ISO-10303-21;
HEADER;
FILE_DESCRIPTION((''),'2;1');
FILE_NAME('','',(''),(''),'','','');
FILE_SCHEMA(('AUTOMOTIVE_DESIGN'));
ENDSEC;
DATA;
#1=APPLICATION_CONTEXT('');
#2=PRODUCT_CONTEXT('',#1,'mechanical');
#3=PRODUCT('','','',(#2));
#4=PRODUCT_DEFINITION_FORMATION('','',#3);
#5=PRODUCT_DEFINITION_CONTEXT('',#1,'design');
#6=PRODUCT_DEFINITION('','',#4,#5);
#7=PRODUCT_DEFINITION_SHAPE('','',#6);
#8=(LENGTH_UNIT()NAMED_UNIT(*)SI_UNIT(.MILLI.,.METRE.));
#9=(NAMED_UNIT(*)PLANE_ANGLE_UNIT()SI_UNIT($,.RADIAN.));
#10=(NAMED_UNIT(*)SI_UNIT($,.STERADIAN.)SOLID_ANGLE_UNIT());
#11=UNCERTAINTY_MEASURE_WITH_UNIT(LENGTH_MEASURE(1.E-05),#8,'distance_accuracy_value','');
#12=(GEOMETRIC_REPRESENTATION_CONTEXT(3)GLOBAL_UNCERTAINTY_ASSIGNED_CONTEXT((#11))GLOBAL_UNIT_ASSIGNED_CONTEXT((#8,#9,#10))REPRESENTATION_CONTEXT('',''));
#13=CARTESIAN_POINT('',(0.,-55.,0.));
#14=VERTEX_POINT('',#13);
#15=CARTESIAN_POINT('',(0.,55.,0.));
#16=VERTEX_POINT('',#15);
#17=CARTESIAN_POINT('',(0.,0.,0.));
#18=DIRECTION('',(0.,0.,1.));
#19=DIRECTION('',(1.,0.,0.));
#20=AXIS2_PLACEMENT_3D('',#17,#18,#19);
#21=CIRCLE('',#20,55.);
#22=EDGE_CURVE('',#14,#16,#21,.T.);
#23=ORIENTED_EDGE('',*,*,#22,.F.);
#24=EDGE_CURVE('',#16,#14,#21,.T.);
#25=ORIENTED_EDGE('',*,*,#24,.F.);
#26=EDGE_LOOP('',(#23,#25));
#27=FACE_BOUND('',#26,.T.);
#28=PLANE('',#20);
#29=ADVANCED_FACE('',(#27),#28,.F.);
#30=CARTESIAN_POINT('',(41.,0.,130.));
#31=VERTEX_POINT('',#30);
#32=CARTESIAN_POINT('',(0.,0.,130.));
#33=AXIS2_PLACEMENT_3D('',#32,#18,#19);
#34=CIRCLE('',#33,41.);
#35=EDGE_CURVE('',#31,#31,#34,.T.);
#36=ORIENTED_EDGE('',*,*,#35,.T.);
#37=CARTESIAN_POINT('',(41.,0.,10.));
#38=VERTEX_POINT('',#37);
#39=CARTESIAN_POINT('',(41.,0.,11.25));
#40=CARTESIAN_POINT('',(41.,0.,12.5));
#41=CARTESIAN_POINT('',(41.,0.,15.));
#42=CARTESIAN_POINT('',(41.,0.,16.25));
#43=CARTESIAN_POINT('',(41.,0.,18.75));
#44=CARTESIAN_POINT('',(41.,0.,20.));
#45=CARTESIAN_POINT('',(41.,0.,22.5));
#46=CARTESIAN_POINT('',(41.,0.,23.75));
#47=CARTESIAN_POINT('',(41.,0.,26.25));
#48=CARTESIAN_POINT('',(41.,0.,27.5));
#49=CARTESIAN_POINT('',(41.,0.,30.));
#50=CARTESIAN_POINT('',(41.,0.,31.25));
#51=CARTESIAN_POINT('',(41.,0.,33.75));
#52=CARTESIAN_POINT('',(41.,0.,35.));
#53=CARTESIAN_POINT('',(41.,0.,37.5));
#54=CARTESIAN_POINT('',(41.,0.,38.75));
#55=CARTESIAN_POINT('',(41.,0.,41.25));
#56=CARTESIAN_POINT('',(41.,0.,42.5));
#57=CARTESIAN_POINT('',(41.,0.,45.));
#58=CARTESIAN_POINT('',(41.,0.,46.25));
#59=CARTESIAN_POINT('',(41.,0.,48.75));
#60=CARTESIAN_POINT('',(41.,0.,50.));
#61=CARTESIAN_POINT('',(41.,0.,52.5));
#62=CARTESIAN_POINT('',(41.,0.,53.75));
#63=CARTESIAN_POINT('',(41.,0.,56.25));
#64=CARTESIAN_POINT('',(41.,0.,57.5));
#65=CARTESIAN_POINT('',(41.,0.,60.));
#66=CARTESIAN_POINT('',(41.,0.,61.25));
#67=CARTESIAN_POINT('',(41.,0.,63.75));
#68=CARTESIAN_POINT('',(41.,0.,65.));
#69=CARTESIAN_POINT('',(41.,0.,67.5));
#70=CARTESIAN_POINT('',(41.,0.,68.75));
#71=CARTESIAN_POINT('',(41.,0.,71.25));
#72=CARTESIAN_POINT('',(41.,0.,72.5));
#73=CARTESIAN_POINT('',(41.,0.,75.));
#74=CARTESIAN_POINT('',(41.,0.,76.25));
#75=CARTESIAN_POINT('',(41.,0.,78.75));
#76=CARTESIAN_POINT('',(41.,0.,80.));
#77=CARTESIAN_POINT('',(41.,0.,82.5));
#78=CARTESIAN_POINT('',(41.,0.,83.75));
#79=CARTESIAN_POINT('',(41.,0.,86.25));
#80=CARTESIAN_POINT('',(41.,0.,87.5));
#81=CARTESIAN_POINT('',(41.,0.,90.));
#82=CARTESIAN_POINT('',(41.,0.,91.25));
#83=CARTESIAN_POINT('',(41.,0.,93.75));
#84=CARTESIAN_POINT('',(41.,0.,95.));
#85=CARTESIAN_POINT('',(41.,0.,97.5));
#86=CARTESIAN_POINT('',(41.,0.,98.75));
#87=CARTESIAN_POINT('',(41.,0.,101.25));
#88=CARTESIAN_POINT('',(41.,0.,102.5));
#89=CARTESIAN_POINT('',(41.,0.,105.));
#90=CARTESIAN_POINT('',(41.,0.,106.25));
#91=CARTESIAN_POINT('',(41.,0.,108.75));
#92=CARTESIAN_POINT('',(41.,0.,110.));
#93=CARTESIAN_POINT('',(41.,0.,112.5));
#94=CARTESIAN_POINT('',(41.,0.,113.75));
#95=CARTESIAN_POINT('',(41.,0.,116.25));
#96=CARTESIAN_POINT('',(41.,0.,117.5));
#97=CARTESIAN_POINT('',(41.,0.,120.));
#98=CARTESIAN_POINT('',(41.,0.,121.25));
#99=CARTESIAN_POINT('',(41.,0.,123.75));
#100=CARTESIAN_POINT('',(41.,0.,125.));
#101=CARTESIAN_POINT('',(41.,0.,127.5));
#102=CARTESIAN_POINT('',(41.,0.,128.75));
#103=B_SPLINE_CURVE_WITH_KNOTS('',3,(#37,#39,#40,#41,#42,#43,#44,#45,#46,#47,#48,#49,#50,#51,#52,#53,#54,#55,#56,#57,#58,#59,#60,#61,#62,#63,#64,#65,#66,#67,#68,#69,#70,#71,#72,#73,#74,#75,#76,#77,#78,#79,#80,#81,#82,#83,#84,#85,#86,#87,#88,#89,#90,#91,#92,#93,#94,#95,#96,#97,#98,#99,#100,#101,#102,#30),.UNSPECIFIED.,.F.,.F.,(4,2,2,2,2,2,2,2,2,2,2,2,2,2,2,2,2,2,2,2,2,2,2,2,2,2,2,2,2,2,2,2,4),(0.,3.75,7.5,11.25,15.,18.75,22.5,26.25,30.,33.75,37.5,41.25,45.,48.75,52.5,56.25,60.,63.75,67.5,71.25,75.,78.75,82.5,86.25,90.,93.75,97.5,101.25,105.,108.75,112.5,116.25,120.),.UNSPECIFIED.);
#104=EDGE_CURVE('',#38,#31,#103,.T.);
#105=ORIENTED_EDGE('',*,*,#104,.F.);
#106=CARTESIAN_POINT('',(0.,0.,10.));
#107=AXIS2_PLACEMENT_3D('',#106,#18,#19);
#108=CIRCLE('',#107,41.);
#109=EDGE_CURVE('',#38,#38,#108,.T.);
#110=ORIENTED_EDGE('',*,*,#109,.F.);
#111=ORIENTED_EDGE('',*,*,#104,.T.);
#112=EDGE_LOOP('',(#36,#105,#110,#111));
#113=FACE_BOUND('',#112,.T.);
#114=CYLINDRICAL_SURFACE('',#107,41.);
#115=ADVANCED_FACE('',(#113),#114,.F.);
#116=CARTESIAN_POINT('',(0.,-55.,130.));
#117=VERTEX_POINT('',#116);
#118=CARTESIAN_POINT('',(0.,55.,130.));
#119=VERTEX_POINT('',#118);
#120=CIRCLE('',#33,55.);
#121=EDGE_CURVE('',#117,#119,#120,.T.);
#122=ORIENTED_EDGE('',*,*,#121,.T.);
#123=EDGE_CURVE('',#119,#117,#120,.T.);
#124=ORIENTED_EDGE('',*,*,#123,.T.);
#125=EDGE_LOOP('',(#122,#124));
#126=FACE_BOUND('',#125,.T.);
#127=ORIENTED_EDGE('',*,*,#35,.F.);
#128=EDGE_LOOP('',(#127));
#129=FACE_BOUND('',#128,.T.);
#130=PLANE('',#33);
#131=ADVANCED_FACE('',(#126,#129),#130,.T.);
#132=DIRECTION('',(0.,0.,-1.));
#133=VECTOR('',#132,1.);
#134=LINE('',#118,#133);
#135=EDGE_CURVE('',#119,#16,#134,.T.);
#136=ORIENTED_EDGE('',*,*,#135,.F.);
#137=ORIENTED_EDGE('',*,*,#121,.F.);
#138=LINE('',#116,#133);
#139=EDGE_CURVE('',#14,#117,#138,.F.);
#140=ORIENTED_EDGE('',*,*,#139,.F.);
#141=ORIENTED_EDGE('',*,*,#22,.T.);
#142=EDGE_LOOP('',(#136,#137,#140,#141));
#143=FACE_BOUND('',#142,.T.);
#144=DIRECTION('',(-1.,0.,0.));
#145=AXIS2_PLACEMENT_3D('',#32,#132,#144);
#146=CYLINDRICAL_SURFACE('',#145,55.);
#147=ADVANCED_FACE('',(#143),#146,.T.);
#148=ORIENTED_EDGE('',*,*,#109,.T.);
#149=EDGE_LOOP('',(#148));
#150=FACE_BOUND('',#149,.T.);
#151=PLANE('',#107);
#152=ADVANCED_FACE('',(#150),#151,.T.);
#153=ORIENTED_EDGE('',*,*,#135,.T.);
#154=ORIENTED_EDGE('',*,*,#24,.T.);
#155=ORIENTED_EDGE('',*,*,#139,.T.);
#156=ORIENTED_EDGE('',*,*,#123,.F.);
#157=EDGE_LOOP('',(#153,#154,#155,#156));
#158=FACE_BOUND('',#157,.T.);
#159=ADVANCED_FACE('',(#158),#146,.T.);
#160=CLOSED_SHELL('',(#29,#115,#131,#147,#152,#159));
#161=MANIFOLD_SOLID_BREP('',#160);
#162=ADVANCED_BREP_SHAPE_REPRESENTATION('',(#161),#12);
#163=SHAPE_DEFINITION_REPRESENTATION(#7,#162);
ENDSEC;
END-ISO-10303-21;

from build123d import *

# Parameters (mm, degrees)
SKETCH1_R           = 55
BOSS_EXTRUDE1_DEPTH = 130
SKETCH2_R           = 41
CUT_EXTRUDE1_DEPTH  = 120


with BuildPart() as part:
    # Sketch1 → Boss-Extrude1 (new body)
    with BuildSketch(Plane.XY):
        Circle(SKETCH1_R)
    extrude(amount=BOSS_EXTRUDE1_DEPTH)

    # Sketch2 → Cut-Extrude1 (cut)
    with BuildSketch(Plane.XY.offset(130)):
        Circle(SKETCH2_R)
    extrude(amount=-CUT_EXTRUDE1_DEPTH, mode=Mode.SUBTRACT)


solid = part.part
